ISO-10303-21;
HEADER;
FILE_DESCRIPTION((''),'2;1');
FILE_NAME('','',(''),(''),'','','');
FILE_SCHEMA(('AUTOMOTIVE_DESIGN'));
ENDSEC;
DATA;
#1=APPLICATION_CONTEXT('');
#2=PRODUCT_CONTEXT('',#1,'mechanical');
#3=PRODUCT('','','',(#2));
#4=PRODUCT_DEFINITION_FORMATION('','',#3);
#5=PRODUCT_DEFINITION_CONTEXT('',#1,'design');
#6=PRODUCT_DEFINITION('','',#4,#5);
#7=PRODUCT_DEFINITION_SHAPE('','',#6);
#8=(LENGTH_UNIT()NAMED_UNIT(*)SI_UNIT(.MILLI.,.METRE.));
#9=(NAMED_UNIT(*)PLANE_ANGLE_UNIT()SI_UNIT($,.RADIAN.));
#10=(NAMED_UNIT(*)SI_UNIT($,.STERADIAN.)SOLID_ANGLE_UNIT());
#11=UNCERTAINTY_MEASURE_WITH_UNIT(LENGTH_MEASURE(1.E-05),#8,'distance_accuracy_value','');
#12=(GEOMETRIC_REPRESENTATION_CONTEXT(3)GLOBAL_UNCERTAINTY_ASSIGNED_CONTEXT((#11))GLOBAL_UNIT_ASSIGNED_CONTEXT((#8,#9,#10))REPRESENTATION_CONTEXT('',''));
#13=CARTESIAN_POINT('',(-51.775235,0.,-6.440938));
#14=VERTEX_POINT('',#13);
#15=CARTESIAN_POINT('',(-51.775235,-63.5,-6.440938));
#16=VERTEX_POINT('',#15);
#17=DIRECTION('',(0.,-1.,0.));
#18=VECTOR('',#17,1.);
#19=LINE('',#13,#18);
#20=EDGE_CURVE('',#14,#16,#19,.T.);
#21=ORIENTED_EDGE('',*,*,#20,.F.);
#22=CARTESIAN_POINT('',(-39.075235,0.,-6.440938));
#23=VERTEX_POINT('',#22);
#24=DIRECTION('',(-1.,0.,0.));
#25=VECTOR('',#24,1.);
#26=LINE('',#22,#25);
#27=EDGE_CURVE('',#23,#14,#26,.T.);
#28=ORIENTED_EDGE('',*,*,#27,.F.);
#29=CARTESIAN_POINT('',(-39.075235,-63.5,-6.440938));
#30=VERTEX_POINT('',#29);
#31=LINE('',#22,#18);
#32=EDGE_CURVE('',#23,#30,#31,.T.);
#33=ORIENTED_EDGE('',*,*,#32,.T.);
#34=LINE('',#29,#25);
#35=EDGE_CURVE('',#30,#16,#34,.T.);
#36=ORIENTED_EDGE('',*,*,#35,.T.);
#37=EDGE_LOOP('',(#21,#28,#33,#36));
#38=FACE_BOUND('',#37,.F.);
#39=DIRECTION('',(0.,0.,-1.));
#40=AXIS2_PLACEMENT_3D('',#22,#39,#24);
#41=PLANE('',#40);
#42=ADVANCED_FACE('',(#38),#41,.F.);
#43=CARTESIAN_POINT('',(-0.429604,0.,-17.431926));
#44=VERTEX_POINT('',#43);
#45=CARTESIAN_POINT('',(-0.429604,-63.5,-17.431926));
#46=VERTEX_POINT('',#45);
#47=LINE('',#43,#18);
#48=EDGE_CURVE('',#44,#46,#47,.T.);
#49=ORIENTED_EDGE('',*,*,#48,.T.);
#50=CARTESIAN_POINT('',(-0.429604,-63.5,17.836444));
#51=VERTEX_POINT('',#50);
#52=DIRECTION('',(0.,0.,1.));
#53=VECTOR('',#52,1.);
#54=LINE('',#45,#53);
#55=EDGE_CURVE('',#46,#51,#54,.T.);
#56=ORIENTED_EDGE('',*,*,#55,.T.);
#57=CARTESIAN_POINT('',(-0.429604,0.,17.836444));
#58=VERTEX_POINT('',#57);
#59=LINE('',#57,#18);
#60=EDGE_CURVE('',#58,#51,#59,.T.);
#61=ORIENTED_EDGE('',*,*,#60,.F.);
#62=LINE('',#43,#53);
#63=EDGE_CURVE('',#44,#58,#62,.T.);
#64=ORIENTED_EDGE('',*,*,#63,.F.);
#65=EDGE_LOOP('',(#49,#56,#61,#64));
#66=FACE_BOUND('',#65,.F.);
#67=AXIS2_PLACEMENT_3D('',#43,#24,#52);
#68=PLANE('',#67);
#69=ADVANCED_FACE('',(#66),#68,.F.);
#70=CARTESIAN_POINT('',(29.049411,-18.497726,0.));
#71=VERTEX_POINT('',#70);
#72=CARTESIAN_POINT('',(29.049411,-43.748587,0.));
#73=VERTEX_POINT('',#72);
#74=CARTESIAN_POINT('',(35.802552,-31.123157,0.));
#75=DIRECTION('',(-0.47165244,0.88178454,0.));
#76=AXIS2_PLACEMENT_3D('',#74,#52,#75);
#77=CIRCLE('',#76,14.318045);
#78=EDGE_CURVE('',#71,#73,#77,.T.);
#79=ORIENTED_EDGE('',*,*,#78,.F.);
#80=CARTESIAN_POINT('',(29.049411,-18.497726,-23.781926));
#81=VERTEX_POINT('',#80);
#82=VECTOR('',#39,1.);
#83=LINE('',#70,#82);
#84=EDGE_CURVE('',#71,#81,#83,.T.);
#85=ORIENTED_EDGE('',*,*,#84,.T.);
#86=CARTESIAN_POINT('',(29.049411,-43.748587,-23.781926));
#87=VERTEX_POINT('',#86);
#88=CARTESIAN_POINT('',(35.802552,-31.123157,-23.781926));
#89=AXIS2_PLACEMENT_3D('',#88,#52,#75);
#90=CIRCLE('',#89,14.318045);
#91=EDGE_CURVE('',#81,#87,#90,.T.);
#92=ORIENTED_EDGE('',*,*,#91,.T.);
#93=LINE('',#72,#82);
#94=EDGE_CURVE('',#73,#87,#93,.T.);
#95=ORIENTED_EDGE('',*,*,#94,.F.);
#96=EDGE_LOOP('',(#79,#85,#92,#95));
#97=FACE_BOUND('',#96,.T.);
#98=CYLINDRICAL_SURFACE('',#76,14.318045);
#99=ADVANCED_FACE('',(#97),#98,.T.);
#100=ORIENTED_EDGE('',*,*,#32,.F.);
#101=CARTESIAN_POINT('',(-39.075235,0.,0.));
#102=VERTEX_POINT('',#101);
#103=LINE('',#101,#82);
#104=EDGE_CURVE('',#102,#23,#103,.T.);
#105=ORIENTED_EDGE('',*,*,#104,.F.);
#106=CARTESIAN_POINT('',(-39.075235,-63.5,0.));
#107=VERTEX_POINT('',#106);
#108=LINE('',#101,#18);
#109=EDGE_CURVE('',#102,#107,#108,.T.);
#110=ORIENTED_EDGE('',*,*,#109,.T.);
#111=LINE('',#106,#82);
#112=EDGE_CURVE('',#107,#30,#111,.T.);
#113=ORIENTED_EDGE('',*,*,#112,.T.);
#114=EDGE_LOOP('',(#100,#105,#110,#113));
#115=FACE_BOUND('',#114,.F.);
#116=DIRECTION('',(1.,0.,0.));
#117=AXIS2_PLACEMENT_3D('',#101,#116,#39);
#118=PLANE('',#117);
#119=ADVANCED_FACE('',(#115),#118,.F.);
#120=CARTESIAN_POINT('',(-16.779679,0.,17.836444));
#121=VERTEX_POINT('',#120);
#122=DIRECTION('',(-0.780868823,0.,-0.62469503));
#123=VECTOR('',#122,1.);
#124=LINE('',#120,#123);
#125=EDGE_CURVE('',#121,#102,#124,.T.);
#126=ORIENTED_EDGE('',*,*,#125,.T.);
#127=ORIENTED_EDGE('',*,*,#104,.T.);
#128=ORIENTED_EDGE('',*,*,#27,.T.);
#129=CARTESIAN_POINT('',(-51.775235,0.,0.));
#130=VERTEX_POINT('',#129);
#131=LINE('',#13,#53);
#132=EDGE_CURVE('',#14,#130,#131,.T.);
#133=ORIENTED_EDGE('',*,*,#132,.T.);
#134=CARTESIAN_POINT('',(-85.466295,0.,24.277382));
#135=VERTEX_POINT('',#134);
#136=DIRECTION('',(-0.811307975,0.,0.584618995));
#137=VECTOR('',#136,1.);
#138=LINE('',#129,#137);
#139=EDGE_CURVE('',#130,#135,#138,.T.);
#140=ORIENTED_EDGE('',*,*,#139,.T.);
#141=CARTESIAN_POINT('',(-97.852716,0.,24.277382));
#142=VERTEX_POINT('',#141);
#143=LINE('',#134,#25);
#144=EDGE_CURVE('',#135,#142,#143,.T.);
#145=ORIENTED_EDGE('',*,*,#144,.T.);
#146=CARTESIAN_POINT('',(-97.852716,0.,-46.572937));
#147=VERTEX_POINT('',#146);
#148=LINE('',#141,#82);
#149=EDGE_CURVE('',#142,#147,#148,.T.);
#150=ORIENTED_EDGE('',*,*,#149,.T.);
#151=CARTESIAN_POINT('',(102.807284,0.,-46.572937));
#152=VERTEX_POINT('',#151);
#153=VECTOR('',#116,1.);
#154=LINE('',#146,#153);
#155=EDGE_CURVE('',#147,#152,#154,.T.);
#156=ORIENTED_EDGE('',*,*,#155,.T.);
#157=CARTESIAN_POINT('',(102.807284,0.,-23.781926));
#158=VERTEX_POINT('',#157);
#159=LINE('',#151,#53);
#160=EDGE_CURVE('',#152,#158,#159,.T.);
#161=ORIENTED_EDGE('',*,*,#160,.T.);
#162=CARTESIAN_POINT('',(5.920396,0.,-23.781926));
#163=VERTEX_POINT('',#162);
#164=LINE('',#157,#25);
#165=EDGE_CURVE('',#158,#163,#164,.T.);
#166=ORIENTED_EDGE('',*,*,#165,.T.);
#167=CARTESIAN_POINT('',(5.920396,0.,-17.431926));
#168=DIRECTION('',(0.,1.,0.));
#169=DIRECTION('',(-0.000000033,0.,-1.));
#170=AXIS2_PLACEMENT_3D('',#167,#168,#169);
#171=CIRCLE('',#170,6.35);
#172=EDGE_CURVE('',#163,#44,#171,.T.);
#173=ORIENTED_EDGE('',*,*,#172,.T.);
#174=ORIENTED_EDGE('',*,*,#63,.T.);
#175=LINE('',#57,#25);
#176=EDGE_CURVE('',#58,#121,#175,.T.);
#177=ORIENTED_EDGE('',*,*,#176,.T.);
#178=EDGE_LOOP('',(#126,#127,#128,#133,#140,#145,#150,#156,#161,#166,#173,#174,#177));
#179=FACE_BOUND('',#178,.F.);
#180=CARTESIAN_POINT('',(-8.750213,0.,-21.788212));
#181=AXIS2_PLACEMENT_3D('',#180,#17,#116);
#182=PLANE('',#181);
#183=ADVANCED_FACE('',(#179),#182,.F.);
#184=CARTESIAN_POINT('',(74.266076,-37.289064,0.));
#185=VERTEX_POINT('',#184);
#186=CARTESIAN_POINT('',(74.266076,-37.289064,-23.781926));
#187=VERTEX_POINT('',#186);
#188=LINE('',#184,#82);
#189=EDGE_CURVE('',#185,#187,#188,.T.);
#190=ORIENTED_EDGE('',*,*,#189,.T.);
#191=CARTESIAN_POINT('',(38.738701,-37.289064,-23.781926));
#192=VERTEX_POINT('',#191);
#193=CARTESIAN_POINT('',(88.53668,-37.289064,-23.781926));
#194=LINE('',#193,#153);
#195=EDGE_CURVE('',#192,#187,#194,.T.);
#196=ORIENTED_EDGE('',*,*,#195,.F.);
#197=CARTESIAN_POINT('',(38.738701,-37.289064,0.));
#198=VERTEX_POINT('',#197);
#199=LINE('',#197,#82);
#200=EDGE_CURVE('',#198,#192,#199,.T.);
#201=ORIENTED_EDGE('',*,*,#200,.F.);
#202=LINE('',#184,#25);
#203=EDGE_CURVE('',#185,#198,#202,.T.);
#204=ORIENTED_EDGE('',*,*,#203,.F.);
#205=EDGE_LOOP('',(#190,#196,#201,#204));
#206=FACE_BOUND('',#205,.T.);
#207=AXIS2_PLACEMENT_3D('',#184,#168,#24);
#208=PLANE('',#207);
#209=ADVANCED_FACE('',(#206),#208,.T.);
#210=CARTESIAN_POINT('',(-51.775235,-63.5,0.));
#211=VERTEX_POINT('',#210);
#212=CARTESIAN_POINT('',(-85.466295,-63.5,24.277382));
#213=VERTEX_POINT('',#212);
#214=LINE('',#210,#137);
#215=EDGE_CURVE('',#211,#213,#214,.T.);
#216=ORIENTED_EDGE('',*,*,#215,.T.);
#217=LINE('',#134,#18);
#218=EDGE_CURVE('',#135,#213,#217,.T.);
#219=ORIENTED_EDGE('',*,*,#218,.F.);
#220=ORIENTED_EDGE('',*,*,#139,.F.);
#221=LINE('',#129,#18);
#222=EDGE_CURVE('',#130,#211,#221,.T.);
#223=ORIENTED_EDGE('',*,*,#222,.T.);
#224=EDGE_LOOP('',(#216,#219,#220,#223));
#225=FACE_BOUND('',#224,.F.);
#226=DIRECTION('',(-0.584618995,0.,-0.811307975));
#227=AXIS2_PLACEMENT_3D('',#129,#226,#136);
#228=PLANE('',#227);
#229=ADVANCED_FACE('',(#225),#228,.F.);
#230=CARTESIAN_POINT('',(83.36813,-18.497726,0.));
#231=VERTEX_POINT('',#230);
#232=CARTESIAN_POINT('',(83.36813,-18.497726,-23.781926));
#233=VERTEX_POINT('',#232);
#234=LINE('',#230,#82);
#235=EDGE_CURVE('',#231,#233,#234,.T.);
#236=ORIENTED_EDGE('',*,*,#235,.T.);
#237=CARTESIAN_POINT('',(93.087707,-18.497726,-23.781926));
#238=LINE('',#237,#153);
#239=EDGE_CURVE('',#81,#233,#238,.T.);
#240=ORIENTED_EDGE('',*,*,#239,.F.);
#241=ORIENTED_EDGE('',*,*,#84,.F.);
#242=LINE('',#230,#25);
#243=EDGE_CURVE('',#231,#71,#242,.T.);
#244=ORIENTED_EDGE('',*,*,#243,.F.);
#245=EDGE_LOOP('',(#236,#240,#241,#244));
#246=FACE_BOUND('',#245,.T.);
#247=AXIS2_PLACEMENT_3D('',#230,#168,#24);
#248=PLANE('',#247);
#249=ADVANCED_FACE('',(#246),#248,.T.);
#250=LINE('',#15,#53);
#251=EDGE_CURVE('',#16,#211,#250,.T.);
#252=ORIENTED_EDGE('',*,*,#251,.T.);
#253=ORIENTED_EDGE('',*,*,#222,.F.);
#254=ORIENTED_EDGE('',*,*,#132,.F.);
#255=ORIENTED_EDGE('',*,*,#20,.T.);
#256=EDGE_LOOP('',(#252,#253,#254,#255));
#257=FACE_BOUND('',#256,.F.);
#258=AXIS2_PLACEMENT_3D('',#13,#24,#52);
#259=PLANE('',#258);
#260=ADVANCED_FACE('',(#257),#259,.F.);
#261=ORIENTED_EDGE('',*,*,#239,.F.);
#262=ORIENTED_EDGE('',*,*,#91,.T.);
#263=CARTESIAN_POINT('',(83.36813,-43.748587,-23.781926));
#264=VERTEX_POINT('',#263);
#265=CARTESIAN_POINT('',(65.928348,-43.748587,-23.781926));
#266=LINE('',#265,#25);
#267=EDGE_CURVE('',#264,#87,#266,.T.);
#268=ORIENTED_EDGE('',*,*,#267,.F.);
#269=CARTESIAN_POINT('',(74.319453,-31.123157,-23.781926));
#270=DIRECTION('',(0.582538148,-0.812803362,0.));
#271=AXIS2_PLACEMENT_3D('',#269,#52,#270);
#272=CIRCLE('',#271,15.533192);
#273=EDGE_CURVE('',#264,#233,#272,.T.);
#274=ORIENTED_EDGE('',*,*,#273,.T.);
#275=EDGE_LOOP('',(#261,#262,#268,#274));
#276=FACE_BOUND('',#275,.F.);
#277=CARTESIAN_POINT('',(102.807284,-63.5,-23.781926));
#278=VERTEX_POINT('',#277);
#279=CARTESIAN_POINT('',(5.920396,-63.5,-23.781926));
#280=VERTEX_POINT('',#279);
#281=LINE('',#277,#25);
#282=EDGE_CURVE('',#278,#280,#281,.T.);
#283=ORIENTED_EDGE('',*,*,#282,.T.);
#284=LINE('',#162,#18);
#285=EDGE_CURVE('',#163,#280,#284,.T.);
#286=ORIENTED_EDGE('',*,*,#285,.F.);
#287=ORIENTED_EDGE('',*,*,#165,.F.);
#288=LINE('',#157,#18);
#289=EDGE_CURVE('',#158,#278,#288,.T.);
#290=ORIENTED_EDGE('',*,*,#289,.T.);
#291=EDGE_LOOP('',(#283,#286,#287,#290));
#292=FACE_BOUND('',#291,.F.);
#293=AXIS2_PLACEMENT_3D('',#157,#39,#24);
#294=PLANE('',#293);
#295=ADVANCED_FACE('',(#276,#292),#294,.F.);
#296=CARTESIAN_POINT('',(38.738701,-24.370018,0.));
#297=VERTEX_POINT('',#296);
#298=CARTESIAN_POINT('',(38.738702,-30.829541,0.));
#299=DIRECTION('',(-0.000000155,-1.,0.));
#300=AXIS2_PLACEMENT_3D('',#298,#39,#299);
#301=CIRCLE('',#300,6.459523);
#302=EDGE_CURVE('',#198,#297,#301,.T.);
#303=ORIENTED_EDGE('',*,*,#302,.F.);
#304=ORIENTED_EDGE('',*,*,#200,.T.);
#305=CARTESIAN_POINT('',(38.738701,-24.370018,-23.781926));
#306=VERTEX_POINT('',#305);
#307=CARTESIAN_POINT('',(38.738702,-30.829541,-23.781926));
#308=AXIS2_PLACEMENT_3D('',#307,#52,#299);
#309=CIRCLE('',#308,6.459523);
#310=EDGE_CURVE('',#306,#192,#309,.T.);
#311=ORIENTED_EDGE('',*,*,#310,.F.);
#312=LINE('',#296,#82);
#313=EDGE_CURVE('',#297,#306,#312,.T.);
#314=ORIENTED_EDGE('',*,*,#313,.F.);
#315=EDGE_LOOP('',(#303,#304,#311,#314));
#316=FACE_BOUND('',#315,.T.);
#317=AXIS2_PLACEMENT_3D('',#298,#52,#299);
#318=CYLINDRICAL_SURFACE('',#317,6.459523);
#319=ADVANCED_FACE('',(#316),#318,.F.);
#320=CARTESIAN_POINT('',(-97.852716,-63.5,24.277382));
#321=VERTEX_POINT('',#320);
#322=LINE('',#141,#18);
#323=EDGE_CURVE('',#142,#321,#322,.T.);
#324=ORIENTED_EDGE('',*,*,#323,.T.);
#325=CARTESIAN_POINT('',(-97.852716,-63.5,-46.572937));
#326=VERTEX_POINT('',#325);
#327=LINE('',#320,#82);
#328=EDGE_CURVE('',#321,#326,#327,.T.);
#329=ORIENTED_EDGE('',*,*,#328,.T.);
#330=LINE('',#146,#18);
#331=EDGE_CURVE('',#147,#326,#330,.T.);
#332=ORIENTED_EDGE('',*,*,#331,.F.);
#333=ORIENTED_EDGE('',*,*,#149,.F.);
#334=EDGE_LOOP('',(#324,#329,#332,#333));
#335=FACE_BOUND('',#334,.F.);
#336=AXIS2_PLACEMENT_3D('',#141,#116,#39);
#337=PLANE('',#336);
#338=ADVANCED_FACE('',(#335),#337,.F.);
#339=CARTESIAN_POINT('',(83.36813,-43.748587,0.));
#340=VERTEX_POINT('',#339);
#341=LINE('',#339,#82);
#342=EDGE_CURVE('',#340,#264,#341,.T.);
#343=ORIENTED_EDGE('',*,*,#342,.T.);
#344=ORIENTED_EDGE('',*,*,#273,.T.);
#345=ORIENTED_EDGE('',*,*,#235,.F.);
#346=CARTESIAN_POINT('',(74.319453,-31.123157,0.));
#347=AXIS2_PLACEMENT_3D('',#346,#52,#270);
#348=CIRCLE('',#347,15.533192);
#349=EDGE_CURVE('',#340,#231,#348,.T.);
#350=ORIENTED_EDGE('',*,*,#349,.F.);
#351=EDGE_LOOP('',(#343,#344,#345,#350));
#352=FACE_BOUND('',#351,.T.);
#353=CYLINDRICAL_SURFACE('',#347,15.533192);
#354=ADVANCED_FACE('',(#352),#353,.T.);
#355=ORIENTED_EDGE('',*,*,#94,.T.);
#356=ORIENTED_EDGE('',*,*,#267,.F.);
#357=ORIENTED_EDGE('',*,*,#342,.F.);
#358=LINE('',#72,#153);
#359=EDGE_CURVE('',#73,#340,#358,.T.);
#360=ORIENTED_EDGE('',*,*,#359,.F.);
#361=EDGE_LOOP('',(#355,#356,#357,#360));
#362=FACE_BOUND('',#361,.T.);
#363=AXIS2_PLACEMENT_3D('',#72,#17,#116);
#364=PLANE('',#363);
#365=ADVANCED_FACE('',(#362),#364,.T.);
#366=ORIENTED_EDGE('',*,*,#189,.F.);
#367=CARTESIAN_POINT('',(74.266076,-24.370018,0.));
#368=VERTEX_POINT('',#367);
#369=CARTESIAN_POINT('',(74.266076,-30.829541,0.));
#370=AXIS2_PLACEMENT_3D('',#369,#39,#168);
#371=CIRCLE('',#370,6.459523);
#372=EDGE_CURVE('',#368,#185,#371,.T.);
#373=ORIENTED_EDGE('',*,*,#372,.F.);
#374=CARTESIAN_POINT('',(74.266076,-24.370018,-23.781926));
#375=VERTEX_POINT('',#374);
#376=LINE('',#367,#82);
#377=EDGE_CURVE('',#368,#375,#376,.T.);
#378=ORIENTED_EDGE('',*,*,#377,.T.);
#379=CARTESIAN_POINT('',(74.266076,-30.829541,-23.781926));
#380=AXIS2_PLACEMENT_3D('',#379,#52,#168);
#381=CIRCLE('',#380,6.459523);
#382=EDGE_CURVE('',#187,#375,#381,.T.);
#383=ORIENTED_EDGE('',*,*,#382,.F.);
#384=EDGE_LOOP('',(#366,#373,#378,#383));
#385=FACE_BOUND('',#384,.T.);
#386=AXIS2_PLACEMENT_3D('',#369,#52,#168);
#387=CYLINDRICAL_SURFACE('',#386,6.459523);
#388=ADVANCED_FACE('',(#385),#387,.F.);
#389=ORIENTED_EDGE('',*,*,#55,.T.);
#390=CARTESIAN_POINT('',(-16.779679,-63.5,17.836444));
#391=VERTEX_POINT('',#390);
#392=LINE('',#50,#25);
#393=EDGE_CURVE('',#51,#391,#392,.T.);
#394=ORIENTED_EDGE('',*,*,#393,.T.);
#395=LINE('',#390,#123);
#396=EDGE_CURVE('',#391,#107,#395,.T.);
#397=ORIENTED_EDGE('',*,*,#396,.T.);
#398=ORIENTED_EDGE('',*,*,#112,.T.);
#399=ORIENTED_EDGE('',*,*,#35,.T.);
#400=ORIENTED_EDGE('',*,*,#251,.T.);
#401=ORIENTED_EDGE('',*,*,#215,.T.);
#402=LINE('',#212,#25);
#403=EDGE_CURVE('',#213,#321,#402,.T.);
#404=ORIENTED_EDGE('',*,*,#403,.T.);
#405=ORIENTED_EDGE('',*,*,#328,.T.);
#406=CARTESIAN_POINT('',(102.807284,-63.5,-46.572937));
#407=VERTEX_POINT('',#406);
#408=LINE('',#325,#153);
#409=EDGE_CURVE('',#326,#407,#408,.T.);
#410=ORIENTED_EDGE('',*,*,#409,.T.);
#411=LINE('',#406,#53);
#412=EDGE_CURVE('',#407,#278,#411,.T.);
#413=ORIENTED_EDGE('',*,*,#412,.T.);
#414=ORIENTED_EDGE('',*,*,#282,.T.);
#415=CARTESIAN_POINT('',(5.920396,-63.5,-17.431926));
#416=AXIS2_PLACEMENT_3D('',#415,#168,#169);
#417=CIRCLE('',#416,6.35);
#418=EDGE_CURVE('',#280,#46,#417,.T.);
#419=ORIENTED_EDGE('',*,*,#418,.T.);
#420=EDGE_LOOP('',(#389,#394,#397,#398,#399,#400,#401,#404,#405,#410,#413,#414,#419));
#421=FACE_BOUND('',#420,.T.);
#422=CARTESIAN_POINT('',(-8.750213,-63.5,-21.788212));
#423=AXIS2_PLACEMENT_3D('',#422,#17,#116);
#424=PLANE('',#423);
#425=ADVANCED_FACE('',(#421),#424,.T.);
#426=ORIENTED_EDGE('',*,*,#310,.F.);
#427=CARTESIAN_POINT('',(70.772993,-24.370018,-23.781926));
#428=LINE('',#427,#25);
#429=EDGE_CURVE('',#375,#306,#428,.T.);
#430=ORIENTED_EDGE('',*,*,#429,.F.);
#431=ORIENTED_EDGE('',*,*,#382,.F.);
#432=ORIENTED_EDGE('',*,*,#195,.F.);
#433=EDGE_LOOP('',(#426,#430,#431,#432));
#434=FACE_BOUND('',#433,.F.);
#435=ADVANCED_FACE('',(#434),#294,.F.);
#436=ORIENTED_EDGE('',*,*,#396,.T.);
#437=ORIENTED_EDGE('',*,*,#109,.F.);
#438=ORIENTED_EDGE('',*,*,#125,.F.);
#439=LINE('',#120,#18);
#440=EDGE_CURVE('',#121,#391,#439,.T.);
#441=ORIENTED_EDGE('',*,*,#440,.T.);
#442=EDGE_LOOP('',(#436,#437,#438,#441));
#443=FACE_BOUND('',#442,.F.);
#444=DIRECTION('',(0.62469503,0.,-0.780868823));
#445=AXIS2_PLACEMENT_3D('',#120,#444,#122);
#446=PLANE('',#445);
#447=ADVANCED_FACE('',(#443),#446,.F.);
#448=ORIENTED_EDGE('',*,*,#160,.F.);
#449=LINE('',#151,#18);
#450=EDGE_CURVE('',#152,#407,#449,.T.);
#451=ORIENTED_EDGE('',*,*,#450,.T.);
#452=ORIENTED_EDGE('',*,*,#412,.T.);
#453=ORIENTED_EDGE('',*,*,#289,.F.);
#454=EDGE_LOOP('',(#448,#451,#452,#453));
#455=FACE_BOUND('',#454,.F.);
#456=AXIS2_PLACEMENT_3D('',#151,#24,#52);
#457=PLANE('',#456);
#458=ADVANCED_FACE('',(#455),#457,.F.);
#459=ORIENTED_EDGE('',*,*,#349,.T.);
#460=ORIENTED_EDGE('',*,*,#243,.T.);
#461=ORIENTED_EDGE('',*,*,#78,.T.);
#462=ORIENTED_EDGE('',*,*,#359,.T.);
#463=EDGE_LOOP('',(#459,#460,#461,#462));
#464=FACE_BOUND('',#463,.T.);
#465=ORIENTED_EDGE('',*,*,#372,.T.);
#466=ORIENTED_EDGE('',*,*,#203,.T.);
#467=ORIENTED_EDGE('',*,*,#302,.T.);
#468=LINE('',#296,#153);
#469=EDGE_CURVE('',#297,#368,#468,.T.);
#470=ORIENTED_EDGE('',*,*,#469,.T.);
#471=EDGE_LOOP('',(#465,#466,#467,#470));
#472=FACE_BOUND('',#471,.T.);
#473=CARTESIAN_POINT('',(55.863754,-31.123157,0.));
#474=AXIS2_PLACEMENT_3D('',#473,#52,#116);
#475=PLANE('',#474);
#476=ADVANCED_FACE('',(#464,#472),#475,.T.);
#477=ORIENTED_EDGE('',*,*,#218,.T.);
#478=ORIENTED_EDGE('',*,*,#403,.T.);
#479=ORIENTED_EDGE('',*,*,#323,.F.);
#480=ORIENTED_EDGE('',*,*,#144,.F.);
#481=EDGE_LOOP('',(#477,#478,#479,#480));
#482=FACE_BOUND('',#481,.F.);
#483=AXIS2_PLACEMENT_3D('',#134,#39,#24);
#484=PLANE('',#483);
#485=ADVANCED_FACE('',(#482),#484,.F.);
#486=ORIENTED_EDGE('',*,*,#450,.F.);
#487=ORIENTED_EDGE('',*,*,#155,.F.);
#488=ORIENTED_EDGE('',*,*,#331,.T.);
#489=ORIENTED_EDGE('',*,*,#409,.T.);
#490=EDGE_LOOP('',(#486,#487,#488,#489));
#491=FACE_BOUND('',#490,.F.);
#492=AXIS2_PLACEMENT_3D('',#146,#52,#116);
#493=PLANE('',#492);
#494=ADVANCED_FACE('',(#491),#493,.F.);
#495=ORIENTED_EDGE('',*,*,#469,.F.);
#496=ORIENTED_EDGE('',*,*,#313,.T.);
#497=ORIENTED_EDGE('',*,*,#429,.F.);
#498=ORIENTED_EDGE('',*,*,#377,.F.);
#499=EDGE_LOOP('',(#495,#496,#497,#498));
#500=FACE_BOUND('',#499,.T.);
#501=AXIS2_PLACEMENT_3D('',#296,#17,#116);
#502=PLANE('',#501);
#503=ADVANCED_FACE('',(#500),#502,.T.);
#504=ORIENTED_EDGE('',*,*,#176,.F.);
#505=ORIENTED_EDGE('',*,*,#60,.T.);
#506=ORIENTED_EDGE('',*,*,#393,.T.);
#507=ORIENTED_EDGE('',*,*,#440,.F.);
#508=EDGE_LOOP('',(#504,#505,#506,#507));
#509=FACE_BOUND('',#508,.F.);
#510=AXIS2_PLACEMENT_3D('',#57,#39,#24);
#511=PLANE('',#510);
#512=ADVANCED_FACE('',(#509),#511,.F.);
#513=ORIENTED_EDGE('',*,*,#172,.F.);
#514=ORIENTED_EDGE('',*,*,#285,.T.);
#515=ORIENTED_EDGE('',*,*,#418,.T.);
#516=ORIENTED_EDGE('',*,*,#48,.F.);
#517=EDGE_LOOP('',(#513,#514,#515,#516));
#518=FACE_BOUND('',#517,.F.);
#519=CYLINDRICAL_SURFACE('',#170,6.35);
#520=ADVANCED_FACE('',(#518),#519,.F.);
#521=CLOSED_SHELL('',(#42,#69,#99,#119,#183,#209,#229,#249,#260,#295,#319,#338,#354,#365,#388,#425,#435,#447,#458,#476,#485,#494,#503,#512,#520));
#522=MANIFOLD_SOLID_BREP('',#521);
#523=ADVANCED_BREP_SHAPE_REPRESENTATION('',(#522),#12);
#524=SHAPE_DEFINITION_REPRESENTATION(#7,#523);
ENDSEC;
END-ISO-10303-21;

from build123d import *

# Parameters (mm, degrees)
F1_DEPTH = 63.5
F3_DEPTH = 25.4


with BuildPart() as f1:
    # F0 (on Front) → F1 (new body)
    with BuildSketch(Plane.XZ):
        with BuildLine():
            Line((-97.852716, 24.277382), (-97.852716, -46.572937))
            Line((-97.852716, -46.572937), (102.807284, -46.572937))
            Line((102.807284, -46.572937), (102.807284, -23.781926))
            Line((102.807284, -23.781926), (5.920396, -23.781926))
            ThreePointArc((5.920396, -23.781926), (1.430268, -21.922054), (-0.429604, -17.431926))
            Line((-0.429604, -17.431926), (-0.429604, 17.836444))
            Line((-0.429604, 17.836444), (-16.779679, 17.836444))
            Line((-16.779679, 17.836444), (-39.075235, 0))
            Line((-39.075235, 0), (-39.075235, -6.440938))
            Line((-39.075235, -6.440938), (-51.775235, -6.440938))
            Line((-51.775235, -6.440938), (-51.775235, 0))
            Line((-51.775235, 0), (-85.466295, 24.277382))
            Line((-85.466295, 24.277382), (-97.852716, 24.277382))
        make_face()
    extrude(amount=F1_DEPTH)

    # F2 (on Top) → F3 (join)
    with BuildSketch(Plane.XY):
        with BuildLine():
            Line((83.36813, -18.497726), (29.049411, -18.497726))
            ThreePointArc((29.049411, -18.497726), (21.484507, -31.123157), (29.049411, -43.748587))
            Line((29.049411, -43.748587), (83.36813, -43.748587))
            ThreePointArc((83.36813, -43.748587), (89.852645, -31.123157), (83.36813, -18.497726))
        make_face()
        with BuildLine():
            ThreePointArc((38.738701, -37.289064), (32.279179, -30.829541), (38.738701, -24.370018))
            Line((38.738701, -24.370018), (74.266076, -24.370018))
            ThreePointArc((74.266076, -24.370018), (80.725599, -30.829541), (74.266076, -37.289064))
            Line((74.266076, -37.289064), (38.738701, -37.289064))
        make_face(mode=Mode.SUBTRACT)
    extrude(amount=-F3_DEPTH)


solid = f1.part
